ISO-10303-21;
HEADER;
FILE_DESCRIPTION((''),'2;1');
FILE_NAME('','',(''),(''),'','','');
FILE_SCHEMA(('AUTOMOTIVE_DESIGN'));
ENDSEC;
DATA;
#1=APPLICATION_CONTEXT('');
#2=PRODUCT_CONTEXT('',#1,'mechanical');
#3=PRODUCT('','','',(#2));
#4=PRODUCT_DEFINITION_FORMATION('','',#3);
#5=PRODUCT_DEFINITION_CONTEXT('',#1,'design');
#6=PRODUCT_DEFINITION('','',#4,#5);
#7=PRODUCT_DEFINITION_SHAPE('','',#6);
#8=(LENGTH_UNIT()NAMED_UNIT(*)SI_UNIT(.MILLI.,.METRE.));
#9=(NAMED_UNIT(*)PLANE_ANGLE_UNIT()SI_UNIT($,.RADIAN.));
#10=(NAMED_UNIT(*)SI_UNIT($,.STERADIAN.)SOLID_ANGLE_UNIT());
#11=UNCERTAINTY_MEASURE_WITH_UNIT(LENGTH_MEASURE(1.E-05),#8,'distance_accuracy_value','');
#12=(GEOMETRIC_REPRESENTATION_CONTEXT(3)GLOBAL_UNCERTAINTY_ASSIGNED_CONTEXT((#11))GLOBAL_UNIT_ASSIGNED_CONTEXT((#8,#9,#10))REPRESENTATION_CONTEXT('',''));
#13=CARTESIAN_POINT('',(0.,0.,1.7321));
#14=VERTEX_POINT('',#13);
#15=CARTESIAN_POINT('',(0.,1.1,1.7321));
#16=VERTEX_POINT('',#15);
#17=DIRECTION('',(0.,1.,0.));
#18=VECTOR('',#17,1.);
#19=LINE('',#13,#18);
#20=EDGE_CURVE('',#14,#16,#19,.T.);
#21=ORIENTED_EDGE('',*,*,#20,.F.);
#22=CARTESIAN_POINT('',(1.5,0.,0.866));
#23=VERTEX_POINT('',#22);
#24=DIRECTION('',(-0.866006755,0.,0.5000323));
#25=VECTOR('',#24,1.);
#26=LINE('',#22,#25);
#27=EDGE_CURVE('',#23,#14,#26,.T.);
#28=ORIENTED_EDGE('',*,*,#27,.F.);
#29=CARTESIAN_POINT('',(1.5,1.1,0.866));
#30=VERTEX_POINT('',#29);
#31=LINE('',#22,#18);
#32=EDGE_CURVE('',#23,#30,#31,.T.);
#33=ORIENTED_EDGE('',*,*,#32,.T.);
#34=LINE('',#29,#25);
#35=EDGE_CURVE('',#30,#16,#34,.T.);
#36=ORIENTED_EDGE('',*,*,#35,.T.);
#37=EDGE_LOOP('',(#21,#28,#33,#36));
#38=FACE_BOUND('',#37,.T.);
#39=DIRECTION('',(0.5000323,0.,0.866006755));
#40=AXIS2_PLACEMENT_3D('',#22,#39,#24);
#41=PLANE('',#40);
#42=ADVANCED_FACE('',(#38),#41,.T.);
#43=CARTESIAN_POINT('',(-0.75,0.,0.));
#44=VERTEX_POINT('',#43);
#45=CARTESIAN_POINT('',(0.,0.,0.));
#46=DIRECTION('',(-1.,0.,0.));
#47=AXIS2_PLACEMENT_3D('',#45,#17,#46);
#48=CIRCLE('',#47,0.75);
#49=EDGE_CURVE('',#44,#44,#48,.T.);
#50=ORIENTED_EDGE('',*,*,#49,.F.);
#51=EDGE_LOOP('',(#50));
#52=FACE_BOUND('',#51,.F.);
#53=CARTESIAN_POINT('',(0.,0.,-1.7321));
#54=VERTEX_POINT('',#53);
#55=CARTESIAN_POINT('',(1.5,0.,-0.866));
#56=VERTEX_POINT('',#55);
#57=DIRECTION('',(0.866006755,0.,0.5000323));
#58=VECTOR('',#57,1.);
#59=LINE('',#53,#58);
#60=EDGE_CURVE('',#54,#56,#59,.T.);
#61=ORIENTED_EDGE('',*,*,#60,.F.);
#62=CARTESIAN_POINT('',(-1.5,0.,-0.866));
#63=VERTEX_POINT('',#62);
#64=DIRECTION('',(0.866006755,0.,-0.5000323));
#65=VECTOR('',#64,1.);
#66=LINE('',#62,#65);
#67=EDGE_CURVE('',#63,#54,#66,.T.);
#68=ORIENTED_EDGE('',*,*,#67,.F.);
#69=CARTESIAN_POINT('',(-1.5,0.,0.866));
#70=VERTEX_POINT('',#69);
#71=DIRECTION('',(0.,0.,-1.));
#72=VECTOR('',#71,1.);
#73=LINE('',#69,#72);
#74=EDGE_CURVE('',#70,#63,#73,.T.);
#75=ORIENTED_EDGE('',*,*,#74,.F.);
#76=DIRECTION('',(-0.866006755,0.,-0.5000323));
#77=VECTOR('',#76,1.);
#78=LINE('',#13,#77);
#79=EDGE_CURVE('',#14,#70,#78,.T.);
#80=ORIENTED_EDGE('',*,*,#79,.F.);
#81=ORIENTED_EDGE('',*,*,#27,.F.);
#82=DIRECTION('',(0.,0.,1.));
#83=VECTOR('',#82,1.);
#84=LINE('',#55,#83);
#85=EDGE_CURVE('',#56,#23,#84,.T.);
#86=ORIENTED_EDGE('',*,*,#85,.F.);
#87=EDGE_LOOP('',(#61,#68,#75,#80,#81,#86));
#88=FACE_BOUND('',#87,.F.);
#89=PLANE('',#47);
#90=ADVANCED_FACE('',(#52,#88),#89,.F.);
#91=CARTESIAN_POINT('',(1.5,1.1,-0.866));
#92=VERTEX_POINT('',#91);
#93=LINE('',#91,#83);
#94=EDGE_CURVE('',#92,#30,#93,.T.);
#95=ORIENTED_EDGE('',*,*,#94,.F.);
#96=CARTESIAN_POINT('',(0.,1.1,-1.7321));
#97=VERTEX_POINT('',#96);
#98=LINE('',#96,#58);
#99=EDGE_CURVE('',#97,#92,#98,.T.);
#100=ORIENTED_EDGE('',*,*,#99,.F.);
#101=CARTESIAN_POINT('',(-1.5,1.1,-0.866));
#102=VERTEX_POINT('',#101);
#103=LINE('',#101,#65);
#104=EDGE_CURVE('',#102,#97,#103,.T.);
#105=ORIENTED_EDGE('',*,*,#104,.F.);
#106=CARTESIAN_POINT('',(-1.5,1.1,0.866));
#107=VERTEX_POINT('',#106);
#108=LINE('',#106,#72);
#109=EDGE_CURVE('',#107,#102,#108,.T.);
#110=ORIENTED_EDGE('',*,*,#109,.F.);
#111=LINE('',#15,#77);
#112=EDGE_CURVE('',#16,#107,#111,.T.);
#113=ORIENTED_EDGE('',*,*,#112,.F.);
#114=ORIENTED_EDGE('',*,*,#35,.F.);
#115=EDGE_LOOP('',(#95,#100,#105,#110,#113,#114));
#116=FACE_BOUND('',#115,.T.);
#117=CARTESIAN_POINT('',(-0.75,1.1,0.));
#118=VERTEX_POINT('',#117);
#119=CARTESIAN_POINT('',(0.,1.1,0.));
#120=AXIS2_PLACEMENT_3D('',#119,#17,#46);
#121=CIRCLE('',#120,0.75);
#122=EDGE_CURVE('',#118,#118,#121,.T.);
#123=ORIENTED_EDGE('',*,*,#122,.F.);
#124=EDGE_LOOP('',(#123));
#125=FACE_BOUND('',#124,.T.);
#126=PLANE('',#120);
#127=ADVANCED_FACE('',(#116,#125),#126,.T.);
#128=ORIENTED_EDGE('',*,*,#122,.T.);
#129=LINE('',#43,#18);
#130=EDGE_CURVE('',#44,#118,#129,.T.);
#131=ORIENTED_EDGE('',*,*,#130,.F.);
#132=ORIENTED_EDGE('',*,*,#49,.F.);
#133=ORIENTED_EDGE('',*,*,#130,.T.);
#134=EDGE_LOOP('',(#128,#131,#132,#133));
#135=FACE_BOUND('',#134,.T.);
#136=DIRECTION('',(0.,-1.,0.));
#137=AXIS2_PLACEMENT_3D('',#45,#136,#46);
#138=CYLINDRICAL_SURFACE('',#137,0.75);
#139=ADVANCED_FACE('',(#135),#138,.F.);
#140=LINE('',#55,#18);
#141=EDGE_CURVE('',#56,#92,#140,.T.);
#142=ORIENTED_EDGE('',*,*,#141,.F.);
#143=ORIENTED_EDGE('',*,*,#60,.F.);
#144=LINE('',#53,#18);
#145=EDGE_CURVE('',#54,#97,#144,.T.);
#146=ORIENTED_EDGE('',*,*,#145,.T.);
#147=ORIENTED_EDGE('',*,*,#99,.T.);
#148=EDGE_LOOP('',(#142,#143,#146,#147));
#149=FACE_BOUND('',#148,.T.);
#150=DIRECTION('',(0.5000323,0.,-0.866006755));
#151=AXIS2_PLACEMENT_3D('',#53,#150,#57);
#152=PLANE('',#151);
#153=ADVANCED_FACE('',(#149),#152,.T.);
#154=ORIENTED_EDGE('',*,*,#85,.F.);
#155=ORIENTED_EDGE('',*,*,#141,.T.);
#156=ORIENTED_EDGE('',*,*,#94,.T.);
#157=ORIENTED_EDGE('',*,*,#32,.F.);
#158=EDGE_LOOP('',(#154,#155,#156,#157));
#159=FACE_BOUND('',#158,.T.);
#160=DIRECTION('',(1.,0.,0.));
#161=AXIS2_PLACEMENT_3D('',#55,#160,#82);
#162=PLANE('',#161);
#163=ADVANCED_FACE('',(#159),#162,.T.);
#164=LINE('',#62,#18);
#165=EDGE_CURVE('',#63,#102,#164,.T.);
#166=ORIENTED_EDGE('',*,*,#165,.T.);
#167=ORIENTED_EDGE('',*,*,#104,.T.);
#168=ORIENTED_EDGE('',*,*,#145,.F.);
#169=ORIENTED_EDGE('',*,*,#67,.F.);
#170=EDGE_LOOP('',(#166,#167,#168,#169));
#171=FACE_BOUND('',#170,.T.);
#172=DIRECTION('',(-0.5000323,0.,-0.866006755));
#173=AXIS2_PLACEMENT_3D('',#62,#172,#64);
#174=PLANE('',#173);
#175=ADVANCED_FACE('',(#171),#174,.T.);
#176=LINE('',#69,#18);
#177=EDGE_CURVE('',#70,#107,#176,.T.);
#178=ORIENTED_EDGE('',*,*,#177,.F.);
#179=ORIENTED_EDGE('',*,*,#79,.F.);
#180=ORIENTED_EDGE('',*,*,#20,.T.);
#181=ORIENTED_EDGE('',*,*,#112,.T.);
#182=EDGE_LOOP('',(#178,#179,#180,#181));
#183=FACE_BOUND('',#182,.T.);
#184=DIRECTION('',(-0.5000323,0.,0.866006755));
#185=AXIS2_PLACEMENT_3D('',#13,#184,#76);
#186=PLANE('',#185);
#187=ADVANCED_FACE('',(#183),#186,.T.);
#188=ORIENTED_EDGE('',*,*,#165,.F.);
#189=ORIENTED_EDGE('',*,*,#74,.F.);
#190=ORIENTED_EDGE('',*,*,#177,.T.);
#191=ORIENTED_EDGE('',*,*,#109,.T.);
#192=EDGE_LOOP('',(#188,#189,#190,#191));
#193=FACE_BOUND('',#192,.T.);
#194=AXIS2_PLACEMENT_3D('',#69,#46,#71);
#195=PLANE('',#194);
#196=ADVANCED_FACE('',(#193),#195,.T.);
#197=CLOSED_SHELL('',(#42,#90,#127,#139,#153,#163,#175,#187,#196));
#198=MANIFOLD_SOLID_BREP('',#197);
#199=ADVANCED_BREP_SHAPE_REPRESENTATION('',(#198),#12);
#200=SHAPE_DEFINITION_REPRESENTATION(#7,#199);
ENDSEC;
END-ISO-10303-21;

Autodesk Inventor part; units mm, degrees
ref_plane "YZ Plane" through (0, 0, 0) normal (1, 0, 0) x (0, 1, 0)
ref_plane "XZ Plane" through (0, 0, 0) normal (0, 1, 0) x (-1, 0, 0)
ref_plane "XY Plane" through (0, 0, 0) normal (0, 0, 1) x (1, 0, 0)
sketch "Sketch1" plane through (0, 0, 0) normal (0, 1, 0) x (-1, 0, 0)
  line L0 (-1.5, -0.866) -> (-1.5, 0.866)
  line L1 (-1.5, 0.866) -> (0, 1.7321)
  line L2 (0, 1.7321) -> (1.5, 0.866)
  line L3 (1.5, 0.866) -> (1.5, -0.866)
  line L4 (1.5, -0.866) -> (0, -1.7321)
  line L5 (0, -1.7321) -> (-1.5, -0.866)
  circle A0 centre (0, 0) radius 0.75
  dimension "d0" = 3
  dimension "d1" = 1.5
extrude "Extrusion1" add sketch "Sketch1" along normal blind 1.1
properties part number "m1.5_nut" material "Stainless Steel"
